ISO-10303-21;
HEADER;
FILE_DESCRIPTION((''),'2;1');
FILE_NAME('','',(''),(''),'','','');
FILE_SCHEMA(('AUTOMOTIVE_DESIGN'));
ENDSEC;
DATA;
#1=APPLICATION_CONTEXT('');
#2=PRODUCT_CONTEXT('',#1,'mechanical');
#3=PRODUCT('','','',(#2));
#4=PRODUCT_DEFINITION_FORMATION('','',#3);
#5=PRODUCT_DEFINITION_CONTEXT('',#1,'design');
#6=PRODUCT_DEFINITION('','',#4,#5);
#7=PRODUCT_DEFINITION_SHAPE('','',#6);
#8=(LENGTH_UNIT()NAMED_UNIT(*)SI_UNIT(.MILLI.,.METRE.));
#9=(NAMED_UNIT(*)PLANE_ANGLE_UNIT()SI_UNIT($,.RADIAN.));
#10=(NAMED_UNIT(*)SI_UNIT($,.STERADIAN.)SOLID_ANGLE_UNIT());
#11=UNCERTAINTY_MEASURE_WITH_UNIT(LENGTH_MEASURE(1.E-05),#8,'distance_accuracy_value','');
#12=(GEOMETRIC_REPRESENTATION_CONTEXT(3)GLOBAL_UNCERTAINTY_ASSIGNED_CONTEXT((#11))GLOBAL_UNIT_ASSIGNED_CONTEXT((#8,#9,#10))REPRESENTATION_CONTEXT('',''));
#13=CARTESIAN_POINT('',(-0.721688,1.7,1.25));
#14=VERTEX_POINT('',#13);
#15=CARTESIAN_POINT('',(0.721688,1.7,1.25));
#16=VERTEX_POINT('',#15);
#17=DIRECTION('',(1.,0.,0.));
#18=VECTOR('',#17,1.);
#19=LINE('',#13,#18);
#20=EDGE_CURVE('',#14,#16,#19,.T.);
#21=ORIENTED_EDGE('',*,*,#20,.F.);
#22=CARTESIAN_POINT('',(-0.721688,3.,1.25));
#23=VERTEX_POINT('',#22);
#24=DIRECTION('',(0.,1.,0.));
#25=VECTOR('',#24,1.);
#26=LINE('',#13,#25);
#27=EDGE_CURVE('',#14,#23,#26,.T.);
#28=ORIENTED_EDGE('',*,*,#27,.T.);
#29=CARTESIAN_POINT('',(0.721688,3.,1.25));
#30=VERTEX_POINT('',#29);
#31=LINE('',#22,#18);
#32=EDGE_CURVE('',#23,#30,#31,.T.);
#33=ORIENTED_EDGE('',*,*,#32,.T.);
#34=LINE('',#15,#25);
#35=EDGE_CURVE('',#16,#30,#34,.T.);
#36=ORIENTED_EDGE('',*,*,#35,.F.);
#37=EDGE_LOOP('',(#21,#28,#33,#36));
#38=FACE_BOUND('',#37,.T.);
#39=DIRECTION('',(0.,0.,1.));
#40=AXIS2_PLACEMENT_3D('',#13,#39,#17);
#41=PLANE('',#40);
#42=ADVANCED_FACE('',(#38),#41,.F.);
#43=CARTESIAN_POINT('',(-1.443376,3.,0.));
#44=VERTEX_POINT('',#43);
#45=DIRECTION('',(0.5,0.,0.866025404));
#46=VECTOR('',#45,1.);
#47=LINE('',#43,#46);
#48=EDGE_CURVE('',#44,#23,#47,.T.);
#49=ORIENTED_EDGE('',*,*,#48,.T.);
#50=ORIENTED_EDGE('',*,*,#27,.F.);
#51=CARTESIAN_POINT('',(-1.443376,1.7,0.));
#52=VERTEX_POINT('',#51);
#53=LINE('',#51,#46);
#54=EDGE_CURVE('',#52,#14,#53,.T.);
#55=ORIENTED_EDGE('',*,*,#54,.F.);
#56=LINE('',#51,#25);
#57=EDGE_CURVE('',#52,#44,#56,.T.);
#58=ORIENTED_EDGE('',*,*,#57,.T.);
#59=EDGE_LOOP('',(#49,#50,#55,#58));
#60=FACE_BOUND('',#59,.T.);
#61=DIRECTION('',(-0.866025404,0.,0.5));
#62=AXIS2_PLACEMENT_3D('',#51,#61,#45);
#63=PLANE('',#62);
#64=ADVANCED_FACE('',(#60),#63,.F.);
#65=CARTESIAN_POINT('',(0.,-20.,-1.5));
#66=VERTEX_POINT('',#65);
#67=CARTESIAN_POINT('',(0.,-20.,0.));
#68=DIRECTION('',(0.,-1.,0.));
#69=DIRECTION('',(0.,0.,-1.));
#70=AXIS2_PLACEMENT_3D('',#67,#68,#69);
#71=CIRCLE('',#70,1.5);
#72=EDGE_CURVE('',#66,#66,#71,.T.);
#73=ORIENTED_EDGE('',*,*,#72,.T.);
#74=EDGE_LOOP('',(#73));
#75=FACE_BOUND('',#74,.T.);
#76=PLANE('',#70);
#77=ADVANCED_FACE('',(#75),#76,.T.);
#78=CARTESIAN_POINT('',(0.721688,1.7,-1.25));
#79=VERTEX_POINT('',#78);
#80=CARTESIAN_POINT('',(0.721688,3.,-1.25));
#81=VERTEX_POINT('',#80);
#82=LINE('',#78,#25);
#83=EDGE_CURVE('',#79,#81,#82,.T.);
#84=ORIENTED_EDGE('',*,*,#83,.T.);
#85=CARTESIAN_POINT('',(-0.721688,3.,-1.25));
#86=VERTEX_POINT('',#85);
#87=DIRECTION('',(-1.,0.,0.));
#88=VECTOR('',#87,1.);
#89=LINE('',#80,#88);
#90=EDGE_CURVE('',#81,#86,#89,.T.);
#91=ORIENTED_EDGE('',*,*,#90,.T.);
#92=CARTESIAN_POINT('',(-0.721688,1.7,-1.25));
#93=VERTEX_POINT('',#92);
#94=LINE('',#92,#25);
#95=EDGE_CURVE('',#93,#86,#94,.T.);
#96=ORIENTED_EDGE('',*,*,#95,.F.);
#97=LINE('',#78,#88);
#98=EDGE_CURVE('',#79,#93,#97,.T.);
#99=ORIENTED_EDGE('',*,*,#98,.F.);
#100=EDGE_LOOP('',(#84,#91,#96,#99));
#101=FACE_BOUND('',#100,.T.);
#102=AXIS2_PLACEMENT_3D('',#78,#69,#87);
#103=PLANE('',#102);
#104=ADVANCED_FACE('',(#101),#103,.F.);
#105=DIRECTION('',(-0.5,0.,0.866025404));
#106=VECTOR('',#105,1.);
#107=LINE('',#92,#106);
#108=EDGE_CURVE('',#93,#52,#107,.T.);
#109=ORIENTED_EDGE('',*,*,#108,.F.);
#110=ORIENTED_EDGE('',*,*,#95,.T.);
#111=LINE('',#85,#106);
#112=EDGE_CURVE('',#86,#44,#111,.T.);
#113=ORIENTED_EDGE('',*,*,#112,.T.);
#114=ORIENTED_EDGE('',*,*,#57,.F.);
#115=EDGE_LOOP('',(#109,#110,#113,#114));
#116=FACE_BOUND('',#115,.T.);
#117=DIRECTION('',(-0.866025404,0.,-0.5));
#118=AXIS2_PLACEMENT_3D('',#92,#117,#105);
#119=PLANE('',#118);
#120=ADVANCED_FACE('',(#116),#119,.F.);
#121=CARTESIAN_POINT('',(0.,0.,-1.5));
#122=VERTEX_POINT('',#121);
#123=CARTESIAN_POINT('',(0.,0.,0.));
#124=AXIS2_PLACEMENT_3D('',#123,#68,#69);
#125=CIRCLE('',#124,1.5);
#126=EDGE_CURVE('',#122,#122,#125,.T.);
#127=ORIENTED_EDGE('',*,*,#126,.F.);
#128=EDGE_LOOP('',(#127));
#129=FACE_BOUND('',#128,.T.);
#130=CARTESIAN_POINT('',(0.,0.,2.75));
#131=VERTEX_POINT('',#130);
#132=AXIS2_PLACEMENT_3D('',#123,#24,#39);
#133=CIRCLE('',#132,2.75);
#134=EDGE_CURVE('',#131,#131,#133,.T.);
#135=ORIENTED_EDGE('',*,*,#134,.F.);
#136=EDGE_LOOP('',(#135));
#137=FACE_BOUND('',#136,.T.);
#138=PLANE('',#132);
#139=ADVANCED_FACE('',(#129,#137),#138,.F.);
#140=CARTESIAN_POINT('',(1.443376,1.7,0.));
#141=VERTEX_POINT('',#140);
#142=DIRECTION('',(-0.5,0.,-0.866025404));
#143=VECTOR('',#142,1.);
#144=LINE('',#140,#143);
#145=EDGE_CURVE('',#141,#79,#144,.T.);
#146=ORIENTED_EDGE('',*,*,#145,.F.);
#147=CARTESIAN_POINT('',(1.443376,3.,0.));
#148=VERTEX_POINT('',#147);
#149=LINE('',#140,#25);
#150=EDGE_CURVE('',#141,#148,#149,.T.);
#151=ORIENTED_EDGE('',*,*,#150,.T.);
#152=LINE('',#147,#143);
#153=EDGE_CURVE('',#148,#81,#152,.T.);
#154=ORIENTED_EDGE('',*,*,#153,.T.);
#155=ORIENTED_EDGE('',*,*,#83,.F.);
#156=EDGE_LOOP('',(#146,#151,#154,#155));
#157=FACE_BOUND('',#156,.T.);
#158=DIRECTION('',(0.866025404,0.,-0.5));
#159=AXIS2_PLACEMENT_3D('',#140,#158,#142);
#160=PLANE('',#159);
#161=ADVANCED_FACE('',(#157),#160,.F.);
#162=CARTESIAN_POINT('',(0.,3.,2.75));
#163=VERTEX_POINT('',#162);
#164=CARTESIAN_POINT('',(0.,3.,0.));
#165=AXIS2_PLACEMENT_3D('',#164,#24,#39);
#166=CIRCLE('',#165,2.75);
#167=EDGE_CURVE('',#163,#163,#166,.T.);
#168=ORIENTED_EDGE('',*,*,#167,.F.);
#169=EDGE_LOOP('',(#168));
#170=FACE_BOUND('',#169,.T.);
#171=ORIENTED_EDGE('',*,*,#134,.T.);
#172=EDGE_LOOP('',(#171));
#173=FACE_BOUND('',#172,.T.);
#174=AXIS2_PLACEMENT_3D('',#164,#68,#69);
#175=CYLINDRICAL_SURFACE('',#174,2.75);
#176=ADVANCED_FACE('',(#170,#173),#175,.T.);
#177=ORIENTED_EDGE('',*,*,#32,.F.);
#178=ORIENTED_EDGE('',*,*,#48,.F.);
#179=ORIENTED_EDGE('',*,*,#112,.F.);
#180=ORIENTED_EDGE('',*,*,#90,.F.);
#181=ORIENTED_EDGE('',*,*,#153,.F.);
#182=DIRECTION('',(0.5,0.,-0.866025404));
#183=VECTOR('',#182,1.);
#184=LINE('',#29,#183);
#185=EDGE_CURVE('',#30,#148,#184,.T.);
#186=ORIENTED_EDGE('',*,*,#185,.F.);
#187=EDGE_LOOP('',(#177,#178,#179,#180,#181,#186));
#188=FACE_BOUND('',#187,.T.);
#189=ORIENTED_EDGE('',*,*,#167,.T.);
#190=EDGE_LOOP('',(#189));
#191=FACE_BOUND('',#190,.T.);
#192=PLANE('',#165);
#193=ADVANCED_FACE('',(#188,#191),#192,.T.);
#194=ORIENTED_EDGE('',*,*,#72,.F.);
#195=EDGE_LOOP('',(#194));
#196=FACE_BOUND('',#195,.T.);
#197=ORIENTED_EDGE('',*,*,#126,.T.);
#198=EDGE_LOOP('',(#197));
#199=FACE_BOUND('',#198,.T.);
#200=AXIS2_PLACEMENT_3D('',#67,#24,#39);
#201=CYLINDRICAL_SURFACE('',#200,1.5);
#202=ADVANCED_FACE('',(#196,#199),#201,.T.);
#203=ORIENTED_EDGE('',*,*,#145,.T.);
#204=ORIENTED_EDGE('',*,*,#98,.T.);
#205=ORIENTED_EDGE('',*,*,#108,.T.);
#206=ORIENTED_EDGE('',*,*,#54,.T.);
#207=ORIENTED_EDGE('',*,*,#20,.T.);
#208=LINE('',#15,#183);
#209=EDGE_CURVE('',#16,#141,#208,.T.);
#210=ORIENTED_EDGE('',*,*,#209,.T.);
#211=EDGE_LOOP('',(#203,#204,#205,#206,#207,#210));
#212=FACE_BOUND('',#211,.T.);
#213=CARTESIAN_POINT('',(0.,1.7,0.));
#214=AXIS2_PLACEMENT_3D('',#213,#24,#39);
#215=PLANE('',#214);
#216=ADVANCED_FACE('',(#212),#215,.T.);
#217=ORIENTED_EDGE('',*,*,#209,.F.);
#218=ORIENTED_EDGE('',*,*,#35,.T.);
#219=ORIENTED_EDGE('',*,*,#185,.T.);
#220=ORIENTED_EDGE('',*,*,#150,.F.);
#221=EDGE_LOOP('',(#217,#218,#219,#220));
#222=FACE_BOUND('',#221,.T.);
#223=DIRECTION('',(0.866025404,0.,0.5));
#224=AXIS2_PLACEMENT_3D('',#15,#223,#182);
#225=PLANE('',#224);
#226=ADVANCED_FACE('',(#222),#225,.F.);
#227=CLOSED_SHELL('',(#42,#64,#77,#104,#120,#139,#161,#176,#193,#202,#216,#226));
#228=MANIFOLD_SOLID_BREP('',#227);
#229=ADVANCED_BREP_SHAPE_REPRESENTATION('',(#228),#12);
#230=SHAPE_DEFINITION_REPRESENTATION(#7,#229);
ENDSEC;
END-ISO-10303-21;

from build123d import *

# Parameters (mm, degrees)
SKETCH_1_R            = 2.75
EXTRUDE_248_DEPTH     = 3
CUT_EXTRUDE_378_DEPTH = 1.3
SKETCH_3_R            = 1.5
EXTRUDE_479_DEPTH     = 20


with BuildPart() as part:
    # 草图1 → Extrude 248 (new body)
    with BuildSketch(Plane(origin=(0, 0, 0), x_dir=(1, 0, 0), z_dir=(0, 1, 0))):
        Circle(SKETCH_1_R)
    extrude(amount=EXTRUDE_248_DEPTH)

    # 草图2 → Cut-Extrude 378 (cut)
    with BuildSketch(Plane(origin=(0, 3, 0), x_dir=(1, 0, 0), z_dir=(0, 1, 0))):
        Polygon((1.443375673, 0), (0.721687836, 1.25), (-0.721687836, 1.25), (-1.443375673, 0), (-0.721687836, -1.25), (0.721687836, -1.25), align=None)
    extrude(amount=-CUT_EXTRUDE_378_DEPTH, mode=Mode.SUBTRACT)

    # 草图3 → Extrude 479 (add)
    with BuildSketch(Plane.XZ):
        Circle(SKETCH_3_R)
    extrude(amount=EXTRUDE_479_DEPTH)


solid = part.part
